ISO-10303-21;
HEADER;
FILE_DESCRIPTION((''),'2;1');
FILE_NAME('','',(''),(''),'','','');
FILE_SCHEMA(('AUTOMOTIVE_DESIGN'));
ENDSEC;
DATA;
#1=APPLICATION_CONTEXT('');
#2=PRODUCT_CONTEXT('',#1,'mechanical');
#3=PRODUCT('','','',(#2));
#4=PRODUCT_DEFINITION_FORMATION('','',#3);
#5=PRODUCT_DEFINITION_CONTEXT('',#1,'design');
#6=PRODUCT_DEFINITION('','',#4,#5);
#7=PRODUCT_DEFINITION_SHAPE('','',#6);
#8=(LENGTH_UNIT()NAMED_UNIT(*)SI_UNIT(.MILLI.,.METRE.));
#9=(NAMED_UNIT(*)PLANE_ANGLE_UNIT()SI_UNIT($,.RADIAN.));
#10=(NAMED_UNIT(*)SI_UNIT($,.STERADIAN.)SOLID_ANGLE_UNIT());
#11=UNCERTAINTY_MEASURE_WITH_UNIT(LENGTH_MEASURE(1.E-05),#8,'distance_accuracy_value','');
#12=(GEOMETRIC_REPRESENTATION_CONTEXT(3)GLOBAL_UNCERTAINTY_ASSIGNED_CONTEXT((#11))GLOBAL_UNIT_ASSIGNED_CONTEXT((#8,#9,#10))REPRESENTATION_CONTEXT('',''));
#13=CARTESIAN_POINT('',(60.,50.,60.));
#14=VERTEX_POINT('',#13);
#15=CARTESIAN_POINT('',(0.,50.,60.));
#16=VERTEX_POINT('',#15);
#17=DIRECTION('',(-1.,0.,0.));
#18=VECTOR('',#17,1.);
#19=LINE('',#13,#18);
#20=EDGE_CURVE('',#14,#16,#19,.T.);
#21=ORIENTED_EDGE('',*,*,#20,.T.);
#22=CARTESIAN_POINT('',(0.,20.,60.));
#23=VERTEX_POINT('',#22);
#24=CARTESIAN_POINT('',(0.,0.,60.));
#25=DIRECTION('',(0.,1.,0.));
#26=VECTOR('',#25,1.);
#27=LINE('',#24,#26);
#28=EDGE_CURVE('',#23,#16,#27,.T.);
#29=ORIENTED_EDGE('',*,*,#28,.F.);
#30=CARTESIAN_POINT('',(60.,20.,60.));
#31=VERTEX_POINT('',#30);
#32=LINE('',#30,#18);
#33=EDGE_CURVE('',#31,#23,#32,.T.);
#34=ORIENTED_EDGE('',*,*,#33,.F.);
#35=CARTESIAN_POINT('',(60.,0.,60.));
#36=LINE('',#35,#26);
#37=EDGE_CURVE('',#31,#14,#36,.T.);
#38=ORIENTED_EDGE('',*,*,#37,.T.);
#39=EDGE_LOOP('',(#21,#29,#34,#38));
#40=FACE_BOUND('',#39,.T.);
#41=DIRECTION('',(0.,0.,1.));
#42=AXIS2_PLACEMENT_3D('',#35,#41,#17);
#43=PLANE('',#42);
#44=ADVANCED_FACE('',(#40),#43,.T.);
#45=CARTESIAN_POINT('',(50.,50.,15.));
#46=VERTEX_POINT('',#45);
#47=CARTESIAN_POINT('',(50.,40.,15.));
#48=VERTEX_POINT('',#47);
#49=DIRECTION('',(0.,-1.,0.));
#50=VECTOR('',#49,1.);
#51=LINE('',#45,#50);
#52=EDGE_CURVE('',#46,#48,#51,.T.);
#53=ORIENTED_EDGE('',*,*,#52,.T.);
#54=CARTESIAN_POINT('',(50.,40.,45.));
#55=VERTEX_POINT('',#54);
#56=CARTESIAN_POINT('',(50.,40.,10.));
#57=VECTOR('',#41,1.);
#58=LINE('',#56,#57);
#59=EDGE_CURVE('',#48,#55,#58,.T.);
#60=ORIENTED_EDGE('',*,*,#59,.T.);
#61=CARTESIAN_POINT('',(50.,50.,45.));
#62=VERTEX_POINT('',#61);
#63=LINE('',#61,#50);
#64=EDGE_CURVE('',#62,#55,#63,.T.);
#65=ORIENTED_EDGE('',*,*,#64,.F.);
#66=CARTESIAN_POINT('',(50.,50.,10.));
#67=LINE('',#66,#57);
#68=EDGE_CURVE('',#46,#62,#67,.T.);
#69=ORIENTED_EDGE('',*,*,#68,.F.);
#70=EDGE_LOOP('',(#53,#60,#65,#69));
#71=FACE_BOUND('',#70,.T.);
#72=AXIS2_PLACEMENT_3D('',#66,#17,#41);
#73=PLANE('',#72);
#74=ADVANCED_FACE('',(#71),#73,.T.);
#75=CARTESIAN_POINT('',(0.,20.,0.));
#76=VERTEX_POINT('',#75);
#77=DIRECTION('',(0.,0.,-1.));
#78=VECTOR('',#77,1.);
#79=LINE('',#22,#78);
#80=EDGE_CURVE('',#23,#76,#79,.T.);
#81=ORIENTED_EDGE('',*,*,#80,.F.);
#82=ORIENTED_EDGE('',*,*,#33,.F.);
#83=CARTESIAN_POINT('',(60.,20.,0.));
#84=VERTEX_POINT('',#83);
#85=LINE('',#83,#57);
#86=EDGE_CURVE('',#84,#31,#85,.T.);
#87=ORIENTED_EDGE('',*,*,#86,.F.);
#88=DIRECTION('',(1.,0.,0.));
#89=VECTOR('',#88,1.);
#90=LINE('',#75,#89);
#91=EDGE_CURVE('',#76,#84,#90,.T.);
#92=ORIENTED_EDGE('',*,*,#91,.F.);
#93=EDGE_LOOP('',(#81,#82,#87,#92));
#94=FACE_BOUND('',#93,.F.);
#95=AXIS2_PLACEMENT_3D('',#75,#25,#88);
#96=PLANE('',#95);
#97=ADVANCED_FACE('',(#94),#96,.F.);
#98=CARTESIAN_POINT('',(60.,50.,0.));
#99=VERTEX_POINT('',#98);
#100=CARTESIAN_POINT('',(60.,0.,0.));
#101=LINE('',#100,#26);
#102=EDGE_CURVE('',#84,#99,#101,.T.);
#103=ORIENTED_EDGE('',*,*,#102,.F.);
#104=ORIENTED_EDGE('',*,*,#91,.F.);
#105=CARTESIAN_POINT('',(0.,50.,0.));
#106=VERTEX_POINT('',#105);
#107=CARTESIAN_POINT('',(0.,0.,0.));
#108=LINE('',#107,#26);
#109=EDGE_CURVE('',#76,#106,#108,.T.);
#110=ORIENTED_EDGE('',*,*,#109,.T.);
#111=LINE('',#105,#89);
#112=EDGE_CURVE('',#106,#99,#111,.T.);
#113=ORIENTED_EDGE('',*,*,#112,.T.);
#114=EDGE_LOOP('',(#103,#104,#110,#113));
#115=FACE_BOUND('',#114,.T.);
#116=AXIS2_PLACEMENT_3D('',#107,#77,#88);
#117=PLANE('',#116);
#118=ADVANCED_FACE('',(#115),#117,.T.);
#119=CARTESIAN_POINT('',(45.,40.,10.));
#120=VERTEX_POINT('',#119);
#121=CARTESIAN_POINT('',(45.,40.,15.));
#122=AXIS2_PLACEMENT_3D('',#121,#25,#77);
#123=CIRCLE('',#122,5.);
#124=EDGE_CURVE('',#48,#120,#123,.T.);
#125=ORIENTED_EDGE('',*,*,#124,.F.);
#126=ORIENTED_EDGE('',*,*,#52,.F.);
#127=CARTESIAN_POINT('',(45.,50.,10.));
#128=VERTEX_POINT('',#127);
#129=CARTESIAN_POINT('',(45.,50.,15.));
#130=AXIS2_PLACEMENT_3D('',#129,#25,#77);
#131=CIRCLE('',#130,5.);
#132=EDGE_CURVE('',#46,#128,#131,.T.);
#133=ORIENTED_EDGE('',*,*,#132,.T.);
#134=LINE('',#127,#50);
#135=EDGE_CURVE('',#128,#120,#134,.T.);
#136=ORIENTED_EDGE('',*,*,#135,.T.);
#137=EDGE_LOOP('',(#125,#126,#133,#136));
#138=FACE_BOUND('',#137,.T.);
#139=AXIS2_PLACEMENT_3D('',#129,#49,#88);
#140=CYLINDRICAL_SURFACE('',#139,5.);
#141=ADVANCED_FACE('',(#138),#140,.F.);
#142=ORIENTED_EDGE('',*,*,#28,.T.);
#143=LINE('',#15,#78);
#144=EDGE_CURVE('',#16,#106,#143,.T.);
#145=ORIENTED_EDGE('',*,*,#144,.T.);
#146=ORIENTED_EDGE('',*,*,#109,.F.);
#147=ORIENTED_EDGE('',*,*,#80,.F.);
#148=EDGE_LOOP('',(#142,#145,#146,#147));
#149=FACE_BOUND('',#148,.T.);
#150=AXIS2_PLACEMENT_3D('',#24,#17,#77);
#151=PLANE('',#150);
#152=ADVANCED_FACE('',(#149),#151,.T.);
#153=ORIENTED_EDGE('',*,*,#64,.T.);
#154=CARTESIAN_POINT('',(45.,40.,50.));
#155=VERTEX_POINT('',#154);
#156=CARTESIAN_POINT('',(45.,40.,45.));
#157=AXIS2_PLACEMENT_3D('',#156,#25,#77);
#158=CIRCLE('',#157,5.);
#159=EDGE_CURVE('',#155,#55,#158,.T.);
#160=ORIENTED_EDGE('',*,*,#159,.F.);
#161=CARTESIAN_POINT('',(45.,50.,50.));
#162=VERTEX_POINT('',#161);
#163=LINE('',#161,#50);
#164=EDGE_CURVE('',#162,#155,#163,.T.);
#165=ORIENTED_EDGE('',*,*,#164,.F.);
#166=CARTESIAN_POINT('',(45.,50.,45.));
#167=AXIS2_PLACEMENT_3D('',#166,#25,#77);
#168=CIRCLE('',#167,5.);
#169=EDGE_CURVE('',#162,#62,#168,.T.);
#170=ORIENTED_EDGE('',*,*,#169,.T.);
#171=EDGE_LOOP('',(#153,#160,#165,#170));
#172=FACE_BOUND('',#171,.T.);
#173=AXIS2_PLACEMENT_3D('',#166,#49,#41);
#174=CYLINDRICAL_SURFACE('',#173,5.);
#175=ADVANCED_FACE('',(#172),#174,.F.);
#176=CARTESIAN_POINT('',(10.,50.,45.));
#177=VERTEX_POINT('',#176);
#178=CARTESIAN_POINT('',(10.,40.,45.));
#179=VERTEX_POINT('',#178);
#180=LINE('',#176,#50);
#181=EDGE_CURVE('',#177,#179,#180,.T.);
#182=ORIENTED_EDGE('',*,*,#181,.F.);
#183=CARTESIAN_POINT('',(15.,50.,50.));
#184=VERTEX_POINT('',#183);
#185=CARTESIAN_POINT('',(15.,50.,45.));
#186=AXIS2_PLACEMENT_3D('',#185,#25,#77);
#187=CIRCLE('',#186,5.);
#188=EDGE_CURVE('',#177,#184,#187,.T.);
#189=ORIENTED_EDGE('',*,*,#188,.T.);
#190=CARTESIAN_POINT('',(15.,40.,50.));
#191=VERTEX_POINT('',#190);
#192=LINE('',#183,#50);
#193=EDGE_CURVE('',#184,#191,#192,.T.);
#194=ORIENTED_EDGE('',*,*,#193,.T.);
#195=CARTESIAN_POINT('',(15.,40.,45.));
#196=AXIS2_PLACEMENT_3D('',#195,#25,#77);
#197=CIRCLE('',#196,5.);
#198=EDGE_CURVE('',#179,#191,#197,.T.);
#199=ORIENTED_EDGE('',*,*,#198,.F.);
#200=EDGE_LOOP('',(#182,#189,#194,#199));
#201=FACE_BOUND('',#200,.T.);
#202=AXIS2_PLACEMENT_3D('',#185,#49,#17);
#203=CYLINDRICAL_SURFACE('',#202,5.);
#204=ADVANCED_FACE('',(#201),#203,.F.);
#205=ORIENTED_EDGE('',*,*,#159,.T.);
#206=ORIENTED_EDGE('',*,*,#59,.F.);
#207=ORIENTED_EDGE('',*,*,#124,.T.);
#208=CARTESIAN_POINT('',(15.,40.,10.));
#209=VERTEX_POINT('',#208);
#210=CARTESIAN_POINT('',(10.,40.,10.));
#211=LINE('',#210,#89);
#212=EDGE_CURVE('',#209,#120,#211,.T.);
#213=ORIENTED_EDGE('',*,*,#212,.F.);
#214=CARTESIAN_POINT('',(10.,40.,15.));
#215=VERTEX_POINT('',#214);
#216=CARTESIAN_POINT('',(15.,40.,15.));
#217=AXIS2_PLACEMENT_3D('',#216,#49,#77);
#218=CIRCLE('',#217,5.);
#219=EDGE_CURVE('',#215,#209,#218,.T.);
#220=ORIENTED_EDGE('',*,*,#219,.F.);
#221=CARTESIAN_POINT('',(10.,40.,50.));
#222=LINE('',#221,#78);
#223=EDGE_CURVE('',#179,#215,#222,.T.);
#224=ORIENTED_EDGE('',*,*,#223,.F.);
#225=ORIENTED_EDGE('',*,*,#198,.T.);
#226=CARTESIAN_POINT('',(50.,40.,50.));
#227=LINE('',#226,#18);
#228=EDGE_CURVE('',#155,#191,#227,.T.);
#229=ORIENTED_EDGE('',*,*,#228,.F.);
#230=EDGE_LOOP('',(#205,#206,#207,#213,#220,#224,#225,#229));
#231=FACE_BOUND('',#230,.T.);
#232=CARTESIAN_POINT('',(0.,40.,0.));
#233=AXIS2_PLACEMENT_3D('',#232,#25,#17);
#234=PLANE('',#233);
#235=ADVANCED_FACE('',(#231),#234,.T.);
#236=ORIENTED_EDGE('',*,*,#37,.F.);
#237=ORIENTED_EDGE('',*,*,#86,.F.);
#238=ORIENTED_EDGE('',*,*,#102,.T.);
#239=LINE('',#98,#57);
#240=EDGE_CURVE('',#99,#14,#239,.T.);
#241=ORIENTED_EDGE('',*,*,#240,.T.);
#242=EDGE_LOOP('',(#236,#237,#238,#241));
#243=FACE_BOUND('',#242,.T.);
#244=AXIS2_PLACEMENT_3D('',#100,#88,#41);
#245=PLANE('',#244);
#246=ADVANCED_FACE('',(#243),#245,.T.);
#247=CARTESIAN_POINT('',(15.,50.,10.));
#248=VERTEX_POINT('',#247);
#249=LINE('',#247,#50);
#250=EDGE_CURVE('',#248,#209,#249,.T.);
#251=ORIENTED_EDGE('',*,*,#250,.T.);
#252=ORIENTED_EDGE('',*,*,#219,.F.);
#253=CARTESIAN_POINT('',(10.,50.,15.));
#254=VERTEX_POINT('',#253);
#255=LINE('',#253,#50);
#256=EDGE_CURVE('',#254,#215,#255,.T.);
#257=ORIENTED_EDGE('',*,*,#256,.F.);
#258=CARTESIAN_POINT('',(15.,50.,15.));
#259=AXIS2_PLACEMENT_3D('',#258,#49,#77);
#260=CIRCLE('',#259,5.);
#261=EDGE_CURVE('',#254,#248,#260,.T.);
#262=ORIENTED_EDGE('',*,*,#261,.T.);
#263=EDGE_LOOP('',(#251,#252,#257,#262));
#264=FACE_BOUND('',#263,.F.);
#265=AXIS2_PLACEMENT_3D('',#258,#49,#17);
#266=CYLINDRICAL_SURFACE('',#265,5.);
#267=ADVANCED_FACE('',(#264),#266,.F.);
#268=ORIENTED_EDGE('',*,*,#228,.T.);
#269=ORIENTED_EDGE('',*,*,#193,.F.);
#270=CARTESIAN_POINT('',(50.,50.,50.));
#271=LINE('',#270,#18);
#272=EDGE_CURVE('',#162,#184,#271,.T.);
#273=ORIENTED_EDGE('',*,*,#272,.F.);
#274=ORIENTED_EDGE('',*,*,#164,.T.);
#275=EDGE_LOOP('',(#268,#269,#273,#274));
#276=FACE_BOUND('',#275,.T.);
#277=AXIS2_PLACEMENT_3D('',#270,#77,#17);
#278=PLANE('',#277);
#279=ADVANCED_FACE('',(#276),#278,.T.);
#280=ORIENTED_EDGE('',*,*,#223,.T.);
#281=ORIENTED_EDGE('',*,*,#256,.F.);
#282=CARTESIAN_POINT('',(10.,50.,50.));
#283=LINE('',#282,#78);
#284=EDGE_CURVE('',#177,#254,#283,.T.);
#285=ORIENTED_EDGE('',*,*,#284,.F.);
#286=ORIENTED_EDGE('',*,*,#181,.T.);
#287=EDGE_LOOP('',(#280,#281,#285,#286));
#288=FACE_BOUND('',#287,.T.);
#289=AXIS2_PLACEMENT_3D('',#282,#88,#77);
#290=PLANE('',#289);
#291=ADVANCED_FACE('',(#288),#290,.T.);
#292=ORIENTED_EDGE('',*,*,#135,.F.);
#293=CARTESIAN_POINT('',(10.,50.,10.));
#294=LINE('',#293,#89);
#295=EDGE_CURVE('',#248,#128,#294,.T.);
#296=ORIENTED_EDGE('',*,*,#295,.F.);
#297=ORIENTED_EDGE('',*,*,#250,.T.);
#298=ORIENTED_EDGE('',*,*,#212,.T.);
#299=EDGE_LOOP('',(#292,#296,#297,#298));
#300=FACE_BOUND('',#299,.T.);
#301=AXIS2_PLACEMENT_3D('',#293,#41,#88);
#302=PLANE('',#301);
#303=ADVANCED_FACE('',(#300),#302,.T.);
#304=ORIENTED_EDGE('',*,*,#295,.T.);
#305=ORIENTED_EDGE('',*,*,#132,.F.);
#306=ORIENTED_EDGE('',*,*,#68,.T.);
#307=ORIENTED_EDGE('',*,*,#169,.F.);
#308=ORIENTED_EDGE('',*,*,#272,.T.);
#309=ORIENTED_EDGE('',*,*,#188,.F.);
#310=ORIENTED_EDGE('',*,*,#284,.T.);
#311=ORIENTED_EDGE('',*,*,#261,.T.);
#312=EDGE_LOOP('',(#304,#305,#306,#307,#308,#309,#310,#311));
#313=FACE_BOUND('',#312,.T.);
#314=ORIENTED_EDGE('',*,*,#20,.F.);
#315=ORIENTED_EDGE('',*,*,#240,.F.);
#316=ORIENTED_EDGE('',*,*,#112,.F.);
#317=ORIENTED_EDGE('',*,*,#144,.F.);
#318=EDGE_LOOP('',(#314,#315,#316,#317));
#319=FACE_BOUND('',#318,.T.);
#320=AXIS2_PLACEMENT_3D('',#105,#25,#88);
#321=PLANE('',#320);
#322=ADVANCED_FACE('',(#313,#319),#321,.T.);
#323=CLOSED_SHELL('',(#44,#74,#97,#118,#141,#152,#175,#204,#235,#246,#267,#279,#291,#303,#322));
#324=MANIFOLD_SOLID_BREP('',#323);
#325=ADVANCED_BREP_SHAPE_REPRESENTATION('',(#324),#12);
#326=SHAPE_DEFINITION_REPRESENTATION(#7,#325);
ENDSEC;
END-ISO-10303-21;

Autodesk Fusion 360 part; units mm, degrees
sketch "Sketch1" plane through (0, 0, 0) normal (0, 1, 0) x (1, 0, 0)
  line L0 (0, 0) -> (60, 0)
  line L1 (60, 0) -> (60, -60)
  line L2 (60, -60) -> (0, -60)
  line L3 (0, -60) -> (0, 0)
  dimension "d1" = 60
  dimension "d2" = 60
extrude "Extrude1" add sketch "Sketch1" along normal blind 50
sketch "Sketch2" plane through (0, 50, 0) normal (0, 1, 0) x (-1, 0, 0)
  line L0 (0, 60) -> (-60, 60)
  line L1 (-60, 60) -> (-60, 0)
  line L2 (-60, 0) -> (0, 0)
  line L3 (0, 0) -> (0, 60)
  line L4 (-10, 10) -> (-50, 10)
  line L5 (-50, 10) -> (-50, 50)
  line L6 (-50, 50) -> (-10, 50)
  line L7 (-10, 50) -> (-10, 10)
  dimension "d5" = 10
  dimension "d6" = 10
  dimension "d7" = 10
  dimension "d8" = 10
extrude "Extrude2" cut 1 faces at (20, 0, 20) along direction (0, 1, 0) blind 20
extrude "Extrude3" cut sketch "Sketch2" against normal blind 10 contours L4 L5 L6 L7
fillet "Fillet1" radius 5 4 edges at (10, 45, 10) (10, 45, 50) (50, 45, 50) (50, 45, 10)
